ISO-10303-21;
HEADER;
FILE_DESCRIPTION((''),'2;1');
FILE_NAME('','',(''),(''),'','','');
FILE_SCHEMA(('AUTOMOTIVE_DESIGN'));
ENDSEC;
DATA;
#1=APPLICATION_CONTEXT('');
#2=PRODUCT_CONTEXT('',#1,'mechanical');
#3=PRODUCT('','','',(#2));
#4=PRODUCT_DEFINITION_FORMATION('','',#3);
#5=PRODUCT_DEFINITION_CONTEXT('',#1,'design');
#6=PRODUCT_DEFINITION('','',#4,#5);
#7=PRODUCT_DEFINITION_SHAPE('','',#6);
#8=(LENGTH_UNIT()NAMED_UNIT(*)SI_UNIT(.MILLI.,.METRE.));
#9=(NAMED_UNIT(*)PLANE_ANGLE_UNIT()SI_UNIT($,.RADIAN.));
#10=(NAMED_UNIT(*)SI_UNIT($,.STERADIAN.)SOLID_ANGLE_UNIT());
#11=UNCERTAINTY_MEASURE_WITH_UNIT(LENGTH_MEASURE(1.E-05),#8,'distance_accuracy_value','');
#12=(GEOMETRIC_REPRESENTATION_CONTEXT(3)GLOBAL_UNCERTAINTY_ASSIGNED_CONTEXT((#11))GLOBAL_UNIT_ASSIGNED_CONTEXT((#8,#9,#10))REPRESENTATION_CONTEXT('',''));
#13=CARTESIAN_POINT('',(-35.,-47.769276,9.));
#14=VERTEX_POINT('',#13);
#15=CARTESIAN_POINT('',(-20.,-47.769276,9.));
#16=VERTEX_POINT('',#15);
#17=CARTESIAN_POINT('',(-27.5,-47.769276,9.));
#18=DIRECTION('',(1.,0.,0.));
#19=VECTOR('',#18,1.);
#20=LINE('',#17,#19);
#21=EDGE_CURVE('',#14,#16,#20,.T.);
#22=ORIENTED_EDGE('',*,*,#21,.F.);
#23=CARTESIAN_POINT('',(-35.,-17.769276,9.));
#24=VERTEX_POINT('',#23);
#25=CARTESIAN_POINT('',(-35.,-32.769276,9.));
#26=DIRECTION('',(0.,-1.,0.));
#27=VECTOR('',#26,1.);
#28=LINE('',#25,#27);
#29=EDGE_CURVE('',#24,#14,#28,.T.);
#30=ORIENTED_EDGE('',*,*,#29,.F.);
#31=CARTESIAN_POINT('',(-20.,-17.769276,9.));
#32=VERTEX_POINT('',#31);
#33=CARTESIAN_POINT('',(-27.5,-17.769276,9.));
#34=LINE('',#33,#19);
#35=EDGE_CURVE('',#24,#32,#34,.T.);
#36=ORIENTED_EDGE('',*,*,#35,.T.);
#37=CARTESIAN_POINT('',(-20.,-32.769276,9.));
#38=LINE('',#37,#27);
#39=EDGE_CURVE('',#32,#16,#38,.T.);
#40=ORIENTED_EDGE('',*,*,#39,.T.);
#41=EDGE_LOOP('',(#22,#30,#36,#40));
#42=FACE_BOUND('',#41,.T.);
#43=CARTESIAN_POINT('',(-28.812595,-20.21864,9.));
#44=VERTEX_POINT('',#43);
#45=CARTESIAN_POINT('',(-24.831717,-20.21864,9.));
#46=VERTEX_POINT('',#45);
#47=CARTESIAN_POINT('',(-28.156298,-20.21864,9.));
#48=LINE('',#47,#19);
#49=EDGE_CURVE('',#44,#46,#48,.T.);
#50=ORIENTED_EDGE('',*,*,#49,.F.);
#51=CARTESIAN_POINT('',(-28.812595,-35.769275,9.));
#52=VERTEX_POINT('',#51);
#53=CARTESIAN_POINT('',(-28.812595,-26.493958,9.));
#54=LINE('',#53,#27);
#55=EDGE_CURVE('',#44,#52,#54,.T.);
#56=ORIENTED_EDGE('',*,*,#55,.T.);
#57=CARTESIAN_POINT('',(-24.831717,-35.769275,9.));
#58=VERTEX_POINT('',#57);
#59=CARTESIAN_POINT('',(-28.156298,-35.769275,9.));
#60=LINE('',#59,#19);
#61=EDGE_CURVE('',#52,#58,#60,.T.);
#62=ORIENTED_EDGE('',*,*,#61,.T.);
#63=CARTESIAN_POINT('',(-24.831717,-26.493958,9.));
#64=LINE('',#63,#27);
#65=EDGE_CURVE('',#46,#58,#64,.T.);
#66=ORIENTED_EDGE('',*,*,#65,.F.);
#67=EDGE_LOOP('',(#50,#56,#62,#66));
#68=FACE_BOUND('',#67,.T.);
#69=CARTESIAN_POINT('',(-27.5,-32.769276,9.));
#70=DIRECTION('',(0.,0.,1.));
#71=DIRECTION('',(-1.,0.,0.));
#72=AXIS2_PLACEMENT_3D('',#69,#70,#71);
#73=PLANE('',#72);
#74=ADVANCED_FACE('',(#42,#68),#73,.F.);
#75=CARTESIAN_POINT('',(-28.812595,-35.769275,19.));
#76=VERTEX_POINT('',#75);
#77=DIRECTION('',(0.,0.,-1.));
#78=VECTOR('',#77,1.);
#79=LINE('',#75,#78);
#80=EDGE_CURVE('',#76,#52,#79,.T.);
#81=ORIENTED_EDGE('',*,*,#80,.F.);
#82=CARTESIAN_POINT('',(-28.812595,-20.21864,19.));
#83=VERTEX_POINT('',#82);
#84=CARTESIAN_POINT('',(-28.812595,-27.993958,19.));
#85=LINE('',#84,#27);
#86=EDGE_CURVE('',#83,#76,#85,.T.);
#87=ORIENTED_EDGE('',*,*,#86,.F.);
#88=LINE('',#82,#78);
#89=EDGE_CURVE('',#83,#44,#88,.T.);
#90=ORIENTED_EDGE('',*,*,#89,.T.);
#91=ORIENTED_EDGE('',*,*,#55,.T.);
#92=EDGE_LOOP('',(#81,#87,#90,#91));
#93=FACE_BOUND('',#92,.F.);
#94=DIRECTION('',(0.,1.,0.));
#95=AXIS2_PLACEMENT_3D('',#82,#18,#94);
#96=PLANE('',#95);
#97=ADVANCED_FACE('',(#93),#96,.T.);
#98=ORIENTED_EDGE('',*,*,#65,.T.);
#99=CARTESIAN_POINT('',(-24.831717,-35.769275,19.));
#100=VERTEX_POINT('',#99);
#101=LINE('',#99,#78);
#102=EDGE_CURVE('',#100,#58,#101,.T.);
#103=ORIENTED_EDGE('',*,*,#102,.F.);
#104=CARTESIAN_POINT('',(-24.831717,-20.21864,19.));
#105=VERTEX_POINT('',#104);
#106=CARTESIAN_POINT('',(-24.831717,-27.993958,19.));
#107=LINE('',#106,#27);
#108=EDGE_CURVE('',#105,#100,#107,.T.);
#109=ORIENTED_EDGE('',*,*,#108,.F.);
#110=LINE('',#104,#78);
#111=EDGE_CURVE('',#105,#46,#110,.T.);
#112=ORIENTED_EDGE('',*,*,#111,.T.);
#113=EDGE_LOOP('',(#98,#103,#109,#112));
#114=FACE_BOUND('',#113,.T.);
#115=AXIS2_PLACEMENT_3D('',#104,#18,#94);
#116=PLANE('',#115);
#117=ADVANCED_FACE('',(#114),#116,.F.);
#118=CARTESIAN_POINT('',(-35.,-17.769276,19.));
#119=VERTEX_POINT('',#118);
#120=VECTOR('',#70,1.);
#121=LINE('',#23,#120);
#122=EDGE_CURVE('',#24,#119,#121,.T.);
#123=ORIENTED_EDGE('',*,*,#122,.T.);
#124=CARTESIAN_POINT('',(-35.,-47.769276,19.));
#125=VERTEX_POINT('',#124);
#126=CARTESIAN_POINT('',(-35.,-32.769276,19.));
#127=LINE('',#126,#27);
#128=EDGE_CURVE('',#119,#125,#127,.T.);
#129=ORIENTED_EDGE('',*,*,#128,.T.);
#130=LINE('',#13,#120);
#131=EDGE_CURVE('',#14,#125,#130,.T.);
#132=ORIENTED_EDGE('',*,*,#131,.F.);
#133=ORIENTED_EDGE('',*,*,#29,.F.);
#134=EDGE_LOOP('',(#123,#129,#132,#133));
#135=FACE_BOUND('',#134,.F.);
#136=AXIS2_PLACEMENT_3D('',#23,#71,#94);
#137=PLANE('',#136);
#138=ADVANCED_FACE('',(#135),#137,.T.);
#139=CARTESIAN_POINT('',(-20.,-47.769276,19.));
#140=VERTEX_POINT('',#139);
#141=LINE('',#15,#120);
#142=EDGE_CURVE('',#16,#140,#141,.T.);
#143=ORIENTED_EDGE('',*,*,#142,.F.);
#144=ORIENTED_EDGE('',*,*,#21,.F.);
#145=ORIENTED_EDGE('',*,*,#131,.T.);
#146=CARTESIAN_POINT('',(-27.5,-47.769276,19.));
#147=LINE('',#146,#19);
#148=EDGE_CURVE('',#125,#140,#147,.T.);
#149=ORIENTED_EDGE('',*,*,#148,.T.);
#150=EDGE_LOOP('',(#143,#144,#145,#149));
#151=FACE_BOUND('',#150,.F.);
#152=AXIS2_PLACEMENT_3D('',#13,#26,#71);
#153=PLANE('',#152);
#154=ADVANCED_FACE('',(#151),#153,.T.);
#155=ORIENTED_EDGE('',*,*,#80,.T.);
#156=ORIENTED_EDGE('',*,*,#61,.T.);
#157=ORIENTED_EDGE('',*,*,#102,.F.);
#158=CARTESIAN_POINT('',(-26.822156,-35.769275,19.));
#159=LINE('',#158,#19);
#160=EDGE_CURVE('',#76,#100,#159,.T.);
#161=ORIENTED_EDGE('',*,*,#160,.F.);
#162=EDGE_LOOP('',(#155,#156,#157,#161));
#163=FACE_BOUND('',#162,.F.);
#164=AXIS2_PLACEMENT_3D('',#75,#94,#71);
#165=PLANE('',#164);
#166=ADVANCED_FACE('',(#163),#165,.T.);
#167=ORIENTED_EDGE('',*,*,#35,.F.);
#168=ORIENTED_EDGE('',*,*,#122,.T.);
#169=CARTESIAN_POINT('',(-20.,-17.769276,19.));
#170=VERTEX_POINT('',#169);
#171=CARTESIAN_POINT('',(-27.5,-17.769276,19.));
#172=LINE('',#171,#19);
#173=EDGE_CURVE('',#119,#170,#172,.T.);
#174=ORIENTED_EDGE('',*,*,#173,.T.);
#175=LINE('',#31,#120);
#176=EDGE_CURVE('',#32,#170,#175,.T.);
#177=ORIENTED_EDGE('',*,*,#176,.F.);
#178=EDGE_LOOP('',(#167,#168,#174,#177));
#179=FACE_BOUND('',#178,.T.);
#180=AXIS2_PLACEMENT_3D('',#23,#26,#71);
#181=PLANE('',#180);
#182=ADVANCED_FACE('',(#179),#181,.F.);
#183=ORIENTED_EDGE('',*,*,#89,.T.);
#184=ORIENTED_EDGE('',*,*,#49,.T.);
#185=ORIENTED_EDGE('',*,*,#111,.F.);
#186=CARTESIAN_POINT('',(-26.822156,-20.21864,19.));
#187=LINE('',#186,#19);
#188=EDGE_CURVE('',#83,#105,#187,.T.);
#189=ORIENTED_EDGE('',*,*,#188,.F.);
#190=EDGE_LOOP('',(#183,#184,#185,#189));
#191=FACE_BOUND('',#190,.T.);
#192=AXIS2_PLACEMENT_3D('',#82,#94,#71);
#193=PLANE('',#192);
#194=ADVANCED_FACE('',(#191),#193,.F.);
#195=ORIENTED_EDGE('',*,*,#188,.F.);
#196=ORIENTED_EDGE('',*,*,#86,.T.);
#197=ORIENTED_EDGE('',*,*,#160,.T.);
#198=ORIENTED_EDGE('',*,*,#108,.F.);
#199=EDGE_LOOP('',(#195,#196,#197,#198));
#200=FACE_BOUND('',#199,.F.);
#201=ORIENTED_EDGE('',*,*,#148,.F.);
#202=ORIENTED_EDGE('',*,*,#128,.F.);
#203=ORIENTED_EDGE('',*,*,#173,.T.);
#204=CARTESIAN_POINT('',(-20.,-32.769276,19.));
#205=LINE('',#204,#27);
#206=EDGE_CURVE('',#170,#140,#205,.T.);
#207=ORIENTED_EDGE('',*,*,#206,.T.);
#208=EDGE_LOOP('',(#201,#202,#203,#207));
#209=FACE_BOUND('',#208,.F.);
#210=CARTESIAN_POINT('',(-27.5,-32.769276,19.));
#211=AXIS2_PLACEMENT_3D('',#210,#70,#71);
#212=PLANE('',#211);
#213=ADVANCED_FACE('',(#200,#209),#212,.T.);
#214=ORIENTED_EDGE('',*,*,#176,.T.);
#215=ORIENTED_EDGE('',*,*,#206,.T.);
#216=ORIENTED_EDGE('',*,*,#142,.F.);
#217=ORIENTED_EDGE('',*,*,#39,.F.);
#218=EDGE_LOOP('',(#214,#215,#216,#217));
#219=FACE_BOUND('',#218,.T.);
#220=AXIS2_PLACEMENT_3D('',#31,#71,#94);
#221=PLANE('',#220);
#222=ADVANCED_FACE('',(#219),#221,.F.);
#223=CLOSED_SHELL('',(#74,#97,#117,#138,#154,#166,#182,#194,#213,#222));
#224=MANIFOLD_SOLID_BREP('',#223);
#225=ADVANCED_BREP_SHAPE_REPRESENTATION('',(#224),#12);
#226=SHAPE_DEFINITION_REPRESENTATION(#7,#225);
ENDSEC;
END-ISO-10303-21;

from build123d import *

# Parameters (mm, degrees)
SKETCH020_W     = 15
SKETCH020_H     = 30
PAD012_DEPTH    = 10
SKETCH023_W     = 3.980878
SKETCH023_H     = 15.550635
POCKET006_DEPTH = 10.001


with BuildPart() as pocket006:
    # Sketch020 → Pad012 (new body)
    with BuildSketch(Plane.XY.offset(9)):
        with Locations((-27.5, 32.769276)):
            Rectangle(SKETCH020_W, SKETCH020_H)
    extrude(amount=PAD012_DEPTH)

    # Sketch023 → Pocket006 (cut, through all)
    with BuildSketch(Plane.XY.offset(19)):
        with Locations((-26.822156, 27.993958)):
            Rectangle(SKETCH023_W, SKETCH023_H)
    extrude(amount=-POCKET006_DEPTH, mode=Mode.SUBTRACT)


with BuildPart() as part_mirroring:
    # Part__Mirroring: instance of Pocket006
    add(pocket006.part.mirror(Plane(origin=(0, 0, 0), x_dir=(1, 0, 0), z_dir=(0, 1, 0))))


solid = part_mirroring.part
